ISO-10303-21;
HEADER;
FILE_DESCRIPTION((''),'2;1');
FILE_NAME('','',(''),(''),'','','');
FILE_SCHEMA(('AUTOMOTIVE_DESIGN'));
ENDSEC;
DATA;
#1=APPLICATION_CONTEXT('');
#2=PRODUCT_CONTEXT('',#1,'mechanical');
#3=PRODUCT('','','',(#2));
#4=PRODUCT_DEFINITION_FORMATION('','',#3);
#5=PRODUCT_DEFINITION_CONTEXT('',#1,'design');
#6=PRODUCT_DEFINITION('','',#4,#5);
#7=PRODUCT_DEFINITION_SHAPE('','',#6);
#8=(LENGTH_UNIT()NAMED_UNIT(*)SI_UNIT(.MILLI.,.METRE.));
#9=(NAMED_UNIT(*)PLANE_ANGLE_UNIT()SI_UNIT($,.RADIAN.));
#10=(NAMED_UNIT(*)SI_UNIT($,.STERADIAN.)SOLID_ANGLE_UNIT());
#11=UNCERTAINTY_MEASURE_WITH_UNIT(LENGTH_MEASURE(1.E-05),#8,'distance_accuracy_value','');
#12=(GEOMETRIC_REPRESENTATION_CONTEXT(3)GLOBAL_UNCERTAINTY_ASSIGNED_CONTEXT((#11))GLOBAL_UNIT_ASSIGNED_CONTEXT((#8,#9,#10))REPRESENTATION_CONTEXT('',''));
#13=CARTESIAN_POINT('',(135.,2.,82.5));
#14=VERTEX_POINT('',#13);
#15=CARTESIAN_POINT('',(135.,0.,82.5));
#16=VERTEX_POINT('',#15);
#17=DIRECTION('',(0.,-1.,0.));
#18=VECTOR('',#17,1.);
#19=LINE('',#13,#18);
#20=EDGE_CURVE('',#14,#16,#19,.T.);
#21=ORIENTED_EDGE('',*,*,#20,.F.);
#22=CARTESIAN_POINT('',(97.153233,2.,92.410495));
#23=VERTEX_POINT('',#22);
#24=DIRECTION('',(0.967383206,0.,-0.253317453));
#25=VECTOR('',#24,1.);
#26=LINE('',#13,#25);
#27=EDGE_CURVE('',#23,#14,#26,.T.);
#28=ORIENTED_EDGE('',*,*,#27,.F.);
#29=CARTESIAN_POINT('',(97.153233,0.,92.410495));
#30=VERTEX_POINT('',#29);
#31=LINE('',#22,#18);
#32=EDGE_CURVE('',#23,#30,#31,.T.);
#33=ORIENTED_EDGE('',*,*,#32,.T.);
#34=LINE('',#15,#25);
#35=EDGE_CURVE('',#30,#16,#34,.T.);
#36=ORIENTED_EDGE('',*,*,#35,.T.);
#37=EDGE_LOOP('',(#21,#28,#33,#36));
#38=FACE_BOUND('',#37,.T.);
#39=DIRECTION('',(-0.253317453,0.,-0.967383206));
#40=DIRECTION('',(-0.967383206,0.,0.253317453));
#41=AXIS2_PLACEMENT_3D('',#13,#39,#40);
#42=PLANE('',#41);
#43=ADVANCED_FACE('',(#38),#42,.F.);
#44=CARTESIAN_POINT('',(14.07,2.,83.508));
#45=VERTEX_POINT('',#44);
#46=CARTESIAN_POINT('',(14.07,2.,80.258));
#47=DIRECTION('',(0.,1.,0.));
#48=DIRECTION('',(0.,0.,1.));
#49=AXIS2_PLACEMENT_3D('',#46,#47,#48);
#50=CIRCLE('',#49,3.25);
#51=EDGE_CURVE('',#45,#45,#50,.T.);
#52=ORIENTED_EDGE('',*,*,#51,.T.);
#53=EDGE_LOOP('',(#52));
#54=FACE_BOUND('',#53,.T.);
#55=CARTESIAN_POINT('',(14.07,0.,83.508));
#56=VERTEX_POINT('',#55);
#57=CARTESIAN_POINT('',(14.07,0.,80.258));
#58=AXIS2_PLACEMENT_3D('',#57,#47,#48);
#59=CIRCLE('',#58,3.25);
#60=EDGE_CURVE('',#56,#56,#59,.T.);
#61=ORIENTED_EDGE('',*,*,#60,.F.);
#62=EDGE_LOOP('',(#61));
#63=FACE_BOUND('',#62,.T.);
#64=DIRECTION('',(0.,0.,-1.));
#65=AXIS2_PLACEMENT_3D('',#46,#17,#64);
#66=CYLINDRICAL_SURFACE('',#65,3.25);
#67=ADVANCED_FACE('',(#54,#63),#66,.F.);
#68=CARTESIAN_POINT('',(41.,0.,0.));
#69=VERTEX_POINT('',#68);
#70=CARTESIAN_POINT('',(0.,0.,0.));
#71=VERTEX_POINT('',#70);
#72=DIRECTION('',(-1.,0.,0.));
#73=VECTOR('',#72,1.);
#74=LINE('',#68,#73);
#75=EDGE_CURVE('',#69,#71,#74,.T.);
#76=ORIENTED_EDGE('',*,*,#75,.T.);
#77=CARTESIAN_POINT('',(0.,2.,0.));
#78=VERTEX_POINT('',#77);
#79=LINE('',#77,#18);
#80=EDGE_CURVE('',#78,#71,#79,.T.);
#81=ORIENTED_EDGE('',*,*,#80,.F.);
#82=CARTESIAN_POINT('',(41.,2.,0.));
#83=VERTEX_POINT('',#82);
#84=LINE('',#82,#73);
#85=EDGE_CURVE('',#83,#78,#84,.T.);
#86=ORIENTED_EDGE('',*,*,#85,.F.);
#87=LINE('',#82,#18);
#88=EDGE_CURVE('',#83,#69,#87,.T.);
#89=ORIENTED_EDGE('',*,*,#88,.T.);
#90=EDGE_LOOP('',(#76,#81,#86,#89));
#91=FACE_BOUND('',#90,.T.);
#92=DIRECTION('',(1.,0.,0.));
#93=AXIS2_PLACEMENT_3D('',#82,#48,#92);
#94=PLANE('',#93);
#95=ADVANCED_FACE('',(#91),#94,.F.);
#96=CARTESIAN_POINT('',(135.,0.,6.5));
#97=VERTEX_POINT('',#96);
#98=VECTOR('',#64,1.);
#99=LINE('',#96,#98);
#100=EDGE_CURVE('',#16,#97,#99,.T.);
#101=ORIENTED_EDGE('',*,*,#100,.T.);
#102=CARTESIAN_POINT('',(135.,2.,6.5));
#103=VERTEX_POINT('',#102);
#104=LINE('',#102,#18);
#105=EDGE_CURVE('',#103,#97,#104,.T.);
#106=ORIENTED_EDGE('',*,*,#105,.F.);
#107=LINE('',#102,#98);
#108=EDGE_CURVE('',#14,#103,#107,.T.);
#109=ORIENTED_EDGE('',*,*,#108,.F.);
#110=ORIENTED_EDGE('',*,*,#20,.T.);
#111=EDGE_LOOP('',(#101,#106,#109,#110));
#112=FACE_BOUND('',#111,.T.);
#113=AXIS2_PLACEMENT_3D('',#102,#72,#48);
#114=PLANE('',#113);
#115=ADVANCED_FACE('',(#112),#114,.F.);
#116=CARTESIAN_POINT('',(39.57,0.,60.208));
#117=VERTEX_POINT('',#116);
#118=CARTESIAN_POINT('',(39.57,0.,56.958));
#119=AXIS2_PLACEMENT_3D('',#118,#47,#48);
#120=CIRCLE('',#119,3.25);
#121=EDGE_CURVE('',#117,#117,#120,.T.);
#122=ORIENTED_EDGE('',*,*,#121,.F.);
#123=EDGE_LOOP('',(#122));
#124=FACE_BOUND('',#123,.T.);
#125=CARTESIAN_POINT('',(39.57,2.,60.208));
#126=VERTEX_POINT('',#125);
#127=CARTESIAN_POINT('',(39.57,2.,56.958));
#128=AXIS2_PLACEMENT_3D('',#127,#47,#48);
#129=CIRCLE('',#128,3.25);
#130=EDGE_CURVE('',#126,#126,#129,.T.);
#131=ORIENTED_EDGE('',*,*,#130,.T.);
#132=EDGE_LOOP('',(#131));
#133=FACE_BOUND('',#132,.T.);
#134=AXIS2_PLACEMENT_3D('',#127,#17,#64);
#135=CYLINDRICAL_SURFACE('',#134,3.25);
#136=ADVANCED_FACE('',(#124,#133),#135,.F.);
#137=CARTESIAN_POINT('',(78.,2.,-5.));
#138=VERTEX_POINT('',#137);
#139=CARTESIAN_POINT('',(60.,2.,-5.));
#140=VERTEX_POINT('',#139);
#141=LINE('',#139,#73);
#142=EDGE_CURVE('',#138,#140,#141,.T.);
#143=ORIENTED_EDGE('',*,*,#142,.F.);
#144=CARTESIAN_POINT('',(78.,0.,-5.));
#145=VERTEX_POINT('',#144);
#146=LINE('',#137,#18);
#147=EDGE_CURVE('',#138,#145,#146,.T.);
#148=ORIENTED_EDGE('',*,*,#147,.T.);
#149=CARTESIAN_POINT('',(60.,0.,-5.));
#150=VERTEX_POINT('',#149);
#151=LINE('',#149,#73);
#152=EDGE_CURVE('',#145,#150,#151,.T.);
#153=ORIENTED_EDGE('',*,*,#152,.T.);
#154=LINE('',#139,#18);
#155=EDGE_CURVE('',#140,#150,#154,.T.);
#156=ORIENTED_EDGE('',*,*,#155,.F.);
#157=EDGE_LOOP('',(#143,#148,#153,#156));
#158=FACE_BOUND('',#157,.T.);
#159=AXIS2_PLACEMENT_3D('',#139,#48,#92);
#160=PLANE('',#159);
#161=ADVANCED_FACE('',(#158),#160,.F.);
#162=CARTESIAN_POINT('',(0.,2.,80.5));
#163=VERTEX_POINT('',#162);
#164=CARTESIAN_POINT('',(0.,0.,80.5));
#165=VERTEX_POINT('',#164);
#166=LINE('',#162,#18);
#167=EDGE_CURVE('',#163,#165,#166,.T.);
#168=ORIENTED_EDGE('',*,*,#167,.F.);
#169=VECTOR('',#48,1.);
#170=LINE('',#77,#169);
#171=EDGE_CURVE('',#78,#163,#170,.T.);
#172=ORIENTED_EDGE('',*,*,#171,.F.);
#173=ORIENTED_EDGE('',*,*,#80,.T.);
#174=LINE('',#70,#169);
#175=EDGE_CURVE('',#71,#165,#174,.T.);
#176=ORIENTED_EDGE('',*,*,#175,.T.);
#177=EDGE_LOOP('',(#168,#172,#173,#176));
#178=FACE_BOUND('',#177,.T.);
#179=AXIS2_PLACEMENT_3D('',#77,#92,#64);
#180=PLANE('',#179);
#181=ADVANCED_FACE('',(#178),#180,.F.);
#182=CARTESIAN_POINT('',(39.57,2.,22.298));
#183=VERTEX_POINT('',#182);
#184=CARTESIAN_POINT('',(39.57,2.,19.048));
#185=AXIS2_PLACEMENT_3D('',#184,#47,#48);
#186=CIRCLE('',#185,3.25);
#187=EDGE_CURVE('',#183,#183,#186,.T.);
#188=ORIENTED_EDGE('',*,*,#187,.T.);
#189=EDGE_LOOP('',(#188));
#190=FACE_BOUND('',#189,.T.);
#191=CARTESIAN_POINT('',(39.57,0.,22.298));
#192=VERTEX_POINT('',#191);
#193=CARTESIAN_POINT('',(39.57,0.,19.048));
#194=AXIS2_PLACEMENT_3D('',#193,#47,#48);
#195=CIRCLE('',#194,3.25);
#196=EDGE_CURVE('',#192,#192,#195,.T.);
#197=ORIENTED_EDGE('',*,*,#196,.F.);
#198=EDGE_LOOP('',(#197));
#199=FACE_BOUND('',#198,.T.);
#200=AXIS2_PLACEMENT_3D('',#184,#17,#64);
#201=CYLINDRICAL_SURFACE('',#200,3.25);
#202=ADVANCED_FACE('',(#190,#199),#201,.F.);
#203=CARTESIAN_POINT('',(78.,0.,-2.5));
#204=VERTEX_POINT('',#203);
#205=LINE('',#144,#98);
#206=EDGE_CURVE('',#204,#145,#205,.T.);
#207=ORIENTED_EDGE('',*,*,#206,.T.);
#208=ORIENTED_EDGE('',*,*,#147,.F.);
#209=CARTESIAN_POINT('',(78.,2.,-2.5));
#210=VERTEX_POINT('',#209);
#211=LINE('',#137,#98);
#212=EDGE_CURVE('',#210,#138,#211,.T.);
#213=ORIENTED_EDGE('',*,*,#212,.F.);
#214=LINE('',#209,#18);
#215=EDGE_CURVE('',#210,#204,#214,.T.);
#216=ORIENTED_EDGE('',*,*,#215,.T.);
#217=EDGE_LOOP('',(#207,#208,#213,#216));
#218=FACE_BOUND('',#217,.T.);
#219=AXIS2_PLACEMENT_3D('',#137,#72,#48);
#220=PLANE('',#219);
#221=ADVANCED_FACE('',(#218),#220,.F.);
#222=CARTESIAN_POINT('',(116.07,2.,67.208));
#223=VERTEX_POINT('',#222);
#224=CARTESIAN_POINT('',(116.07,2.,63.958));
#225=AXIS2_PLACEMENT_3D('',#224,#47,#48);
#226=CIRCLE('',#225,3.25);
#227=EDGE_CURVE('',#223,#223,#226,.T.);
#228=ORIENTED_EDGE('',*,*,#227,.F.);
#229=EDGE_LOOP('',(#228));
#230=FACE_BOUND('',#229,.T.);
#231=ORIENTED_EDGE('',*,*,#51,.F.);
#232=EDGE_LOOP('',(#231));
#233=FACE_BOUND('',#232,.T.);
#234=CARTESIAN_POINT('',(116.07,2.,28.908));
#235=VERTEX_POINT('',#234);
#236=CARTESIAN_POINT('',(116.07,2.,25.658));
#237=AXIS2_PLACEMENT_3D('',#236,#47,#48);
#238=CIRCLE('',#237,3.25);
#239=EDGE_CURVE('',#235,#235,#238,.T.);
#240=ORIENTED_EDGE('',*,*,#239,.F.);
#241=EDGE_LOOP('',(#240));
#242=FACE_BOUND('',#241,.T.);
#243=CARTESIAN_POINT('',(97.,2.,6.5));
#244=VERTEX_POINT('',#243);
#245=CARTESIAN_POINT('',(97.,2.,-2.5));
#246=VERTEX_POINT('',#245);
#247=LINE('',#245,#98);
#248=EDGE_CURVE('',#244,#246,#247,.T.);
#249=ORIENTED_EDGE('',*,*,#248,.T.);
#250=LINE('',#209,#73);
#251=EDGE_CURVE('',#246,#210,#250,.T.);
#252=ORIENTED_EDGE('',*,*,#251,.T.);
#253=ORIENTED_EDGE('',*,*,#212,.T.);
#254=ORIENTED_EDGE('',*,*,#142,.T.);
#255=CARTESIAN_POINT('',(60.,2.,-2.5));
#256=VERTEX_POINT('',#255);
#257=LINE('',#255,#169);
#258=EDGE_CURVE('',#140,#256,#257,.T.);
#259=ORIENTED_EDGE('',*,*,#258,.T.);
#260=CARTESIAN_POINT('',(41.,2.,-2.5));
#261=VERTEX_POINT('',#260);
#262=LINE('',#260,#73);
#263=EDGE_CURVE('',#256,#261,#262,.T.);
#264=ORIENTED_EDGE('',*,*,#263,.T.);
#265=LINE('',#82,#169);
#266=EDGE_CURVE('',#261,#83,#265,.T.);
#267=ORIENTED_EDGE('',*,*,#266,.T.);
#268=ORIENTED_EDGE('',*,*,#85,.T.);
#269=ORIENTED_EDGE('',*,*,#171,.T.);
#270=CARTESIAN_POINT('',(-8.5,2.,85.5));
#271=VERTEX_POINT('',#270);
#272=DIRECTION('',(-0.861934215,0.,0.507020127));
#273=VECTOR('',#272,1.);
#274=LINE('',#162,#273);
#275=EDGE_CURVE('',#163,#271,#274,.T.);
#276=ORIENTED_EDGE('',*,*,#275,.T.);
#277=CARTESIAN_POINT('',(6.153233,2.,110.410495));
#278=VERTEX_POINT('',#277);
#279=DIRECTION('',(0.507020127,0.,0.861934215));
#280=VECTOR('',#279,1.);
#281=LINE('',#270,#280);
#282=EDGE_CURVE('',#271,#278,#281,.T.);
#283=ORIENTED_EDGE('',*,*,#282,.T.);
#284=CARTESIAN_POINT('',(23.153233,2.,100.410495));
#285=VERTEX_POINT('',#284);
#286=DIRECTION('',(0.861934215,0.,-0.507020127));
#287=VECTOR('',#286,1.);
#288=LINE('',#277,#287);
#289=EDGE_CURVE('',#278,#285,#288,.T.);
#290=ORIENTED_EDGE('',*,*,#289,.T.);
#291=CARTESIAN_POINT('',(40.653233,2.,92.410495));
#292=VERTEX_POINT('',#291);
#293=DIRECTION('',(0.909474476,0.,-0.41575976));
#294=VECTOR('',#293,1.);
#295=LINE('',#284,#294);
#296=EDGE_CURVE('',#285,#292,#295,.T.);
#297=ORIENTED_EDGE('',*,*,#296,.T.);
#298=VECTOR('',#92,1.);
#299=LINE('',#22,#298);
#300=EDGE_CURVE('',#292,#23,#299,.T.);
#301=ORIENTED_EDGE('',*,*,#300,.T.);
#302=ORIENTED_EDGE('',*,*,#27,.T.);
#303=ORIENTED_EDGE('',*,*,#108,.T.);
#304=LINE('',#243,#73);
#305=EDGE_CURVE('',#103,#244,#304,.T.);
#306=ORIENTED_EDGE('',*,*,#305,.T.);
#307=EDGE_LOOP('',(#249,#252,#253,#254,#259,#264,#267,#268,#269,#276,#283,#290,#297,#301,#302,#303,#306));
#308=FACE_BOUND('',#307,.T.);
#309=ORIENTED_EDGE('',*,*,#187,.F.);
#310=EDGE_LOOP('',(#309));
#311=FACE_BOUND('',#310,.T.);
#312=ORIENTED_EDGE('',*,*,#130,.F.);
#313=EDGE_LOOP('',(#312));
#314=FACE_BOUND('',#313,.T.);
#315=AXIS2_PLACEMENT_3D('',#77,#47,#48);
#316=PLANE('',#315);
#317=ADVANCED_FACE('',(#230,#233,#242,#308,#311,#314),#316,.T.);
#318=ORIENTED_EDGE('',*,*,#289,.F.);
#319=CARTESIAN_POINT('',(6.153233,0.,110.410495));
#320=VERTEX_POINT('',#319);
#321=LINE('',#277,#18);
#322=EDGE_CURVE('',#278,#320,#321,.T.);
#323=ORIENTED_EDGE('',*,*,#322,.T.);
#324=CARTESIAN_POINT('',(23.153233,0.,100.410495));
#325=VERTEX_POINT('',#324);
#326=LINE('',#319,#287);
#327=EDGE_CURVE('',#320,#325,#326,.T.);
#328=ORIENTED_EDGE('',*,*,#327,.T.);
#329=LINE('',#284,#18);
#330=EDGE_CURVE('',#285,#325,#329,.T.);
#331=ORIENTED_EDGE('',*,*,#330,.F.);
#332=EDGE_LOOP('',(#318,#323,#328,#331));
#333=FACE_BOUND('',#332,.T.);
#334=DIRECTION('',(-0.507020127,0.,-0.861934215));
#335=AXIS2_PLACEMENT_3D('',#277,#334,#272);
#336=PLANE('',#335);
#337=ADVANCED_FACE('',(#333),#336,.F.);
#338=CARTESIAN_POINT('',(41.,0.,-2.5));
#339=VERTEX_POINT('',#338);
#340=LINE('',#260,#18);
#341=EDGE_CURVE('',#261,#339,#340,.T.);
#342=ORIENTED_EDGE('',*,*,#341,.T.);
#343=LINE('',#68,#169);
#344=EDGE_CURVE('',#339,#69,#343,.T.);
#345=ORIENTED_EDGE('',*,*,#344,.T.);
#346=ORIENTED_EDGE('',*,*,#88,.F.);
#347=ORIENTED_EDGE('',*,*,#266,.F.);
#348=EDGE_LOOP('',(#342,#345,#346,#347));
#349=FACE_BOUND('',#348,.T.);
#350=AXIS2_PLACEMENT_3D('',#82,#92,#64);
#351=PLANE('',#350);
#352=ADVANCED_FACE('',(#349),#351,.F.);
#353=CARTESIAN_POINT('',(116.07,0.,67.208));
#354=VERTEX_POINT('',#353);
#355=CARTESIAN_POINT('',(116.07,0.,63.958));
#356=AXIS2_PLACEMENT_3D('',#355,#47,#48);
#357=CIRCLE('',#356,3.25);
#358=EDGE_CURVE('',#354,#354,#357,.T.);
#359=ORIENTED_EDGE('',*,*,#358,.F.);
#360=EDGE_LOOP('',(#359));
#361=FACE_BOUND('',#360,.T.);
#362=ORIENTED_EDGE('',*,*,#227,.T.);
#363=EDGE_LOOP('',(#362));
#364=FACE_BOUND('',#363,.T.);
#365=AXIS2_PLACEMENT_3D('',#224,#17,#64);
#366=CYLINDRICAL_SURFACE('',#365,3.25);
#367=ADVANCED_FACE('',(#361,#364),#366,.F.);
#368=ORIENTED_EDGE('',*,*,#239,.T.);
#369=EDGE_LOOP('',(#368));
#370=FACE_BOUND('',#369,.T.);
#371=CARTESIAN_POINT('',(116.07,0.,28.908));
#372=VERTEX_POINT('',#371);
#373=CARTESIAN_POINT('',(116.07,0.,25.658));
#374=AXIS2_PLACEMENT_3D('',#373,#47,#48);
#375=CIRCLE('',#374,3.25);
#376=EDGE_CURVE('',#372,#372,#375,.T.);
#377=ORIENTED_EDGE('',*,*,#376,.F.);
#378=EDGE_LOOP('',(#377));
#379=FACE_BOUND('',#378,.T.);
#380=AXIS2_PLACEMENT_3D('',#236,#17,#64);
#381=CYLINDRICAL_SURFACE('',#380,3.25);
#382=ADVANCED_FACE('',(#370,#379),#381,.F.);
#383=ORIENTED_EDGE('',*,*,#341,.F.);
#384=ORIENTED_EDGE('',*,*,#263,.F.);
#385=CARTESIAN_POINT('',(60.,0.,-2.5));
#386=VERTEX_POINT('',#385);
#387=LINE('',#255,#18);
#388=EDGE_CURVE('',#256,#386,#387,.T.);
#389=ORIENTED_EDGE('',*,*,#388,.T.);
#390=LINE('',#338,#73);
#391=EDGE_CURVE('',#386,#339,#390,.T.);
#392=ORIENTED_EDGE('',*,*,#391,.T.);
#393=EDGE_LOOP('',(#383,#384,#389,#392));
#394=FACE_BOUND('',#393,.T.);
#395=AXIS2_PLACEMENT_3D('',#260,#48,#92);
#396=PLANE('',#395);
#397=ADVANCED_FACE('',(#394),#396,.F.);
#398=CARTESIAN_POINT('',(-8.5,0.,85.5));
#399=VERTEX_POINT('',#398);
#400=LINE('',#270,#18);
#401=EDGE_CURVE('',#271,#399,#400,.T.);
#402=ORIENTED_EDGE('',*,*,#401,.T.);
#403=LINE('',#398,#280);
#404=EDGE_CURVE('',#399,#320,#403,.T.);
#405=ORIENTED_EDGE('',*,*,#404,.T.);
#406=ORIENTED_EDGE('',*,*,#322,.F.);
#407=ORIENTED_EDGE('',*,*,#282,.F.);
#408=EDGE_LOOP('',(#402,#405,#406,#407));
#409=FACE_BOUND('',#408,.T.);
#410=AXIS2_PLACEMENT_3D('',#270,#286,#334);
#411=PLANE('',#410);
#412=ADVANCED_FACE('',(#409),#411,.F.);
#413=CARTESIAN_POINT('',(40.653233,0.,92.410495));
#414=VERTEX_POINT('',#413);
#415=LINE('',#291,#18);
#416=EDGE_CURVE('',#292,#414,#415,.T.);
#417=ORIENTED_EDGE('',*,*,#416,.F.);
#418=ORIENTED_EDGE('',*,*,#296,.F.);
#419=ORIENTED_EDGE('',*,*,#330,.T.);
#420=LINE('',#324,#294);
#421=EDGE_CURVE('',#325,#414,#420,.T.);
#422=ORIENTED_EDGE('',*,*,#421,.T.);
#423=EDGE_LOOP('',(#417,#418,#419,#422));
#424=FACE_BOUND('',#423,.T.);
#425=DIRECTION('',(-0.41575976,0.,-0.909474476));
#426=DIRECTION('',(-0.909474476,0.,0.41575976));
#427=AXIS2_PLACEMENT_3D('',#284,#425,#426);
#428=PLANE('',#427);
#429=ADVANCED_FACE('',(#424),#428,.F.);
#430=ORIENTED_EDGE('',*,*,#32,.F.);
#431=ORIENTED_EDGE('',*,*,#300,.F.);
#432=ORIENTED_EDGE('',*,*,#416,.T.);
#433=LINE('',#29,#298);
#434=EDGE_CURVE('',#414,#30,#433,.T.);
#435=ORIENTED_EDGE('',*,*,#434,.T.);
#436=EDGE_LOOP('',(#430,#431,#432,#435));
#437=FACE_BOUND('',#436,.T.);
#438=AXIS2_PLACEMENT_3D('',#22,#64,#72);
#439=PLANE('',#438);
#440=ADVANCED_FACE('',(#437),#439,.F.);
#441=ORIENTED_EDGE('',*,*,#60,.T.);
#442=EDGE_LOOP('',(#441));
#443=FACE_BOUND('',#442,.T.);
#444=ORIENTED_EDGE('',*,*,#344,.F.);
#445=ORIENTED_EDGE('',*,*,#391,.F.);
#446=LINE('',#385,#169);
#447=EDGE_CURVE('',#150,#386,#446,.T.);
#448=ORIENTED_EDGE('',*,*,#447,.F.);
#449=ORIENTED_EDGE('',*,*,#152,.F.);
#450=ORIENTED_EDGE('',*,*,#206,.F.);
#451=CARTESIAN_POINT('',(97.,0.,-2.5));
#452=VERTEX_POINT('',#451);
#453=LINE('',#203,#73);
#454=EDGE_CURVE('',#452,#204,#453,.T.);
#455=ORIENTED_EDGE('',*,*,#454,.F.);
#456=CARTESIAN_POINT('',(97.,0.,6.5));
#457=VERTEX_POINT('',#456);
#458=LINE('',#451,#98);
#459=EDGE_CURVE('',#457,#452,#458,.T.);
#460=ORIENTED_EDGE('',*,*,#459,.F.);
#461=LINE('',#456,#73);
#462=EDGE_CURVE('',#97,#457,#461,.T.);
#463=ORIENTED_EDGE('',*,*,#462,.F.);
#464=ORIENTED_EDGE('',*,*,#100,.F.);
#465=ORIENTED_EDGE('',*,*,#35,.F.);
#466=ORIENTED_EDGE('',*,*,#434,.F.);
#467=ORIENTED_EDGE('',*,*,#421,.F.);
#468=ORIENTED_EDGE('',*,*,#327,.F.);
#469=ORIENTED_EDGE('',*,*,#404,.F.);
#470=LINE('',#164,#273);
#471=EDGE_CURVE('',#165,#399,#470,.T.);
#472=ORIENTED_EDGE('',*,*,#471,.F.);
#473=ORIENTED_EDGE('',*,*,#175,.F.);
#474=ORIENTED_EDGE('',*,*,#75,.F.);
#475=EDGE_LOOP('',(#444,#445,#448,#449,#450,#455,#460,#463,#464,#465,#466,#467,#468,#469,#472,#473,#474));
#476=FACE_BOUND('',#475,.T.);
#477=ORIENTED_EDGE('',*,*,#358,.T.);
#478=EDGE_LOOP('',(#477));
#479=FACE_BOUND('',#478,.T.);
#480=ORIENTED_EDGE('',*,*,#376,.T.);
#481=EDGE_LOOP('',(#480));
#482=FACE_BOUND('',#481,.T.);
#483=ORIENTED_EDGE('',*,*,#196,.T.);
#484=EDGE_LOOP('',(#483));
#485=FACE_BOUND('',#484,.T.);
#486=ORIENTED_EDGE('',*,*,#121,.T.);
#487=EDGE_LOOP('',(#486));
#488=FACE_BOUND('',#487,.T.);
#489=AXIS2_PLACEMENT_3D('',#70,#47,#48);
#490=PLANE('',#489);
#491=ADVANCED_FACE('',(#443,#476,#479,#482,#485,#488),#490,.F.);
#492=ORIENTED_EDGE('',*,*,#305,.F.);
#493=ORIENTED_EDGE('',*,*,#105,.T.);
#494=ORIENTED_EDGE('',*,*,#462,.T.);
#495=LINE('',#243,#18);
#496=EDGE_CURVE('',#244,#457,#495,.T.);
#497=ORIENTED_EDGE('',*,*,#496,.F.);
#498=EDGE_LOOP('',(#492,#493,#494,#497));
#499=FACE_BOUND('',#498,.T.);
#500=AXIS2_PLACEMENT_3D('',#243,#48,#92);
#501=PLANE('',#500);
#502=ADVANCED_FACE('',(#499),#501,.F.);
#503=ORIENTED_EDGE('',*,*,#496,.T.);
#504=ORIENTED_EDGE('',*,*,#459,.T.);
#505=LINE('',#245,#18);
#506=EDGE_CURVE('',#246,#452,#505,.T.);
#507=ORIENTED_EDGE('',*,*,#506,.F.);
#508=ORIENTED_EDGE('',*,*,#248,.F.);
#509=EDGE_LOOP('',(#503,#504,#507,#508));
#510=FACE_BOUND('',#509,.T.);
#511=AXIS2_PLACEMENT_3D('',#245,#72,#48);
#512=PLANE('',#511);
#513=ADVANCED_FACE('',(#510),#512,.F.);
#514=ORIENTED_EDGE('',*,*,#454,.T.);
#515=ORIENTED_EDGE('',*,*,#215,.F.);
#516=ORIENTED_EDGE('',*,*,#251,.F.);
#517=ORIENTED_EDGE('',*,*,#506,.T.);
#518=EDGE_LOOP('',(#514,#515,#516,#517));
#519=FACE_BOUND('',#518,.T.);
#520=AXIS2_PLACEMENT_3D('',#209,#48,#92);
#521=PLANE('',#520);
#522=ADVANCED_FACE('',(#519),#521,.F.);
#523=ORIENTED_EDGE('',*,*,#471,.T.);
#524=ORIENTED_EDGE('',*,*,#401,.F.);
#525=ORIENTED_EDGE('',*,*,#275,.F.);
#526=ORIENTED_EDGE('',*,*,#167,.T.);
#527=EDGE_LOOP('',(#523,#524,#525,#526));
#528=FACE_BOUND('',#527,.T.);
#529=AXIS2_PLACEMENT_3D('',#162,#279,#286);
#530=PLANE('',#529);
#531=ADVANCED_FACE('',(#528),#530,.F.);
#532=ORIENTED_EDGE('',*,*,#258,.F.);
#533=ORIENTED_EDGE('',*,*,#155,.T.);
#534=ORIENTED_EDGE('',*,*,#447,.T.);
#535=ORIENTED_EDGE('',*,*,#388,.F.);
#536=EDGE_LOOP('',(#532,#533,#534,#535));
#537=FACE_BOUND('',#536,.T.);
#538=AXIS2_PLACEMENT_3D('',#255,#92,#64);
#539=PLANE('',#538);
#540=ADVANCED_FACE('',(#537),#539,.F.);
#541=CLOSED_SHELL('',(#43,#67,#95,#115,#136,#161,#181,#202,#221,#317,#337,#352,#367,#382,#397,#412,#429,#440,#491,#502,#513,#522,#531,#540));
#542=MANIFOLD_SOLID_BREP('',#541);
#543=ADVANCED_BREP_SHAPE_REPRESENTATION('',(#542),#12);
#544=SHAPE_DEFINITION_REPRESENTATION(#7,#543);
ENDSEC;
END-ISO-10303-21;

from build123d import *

# Parameters (mm, degrees)
SKETCH_1_R      = 3.25
EXTRUDE_1_DEPTH = 2


with BuildPart() as part:
    # Эскиз1 → Бобышка-Вытянуть1 (new body)
    with BuildSketch(Plane(origin=(0, 0, 0), x_dir=(1, 0, 0), z_dir=(0, 1, 0))):
        Polygon((0, 0), (0, -80.5), (-8.5, -85.5), (6.153232532, -110.410495305), (23.153232532, -100.410495305), (40.653232532, -92.410495305), (97.153232532, -92.410495305), (135, -82.5), (135, -6.5), (97, -6.5), (97, 2.5), (78, 2.5), (78, 5), (60, 5), (60, 2.5), (41, 2.5), (41, 0), align=None)
        with Locations((14.07, -80.258)):
            Circle(SKETCH_1_R, mode=Mode.SUBTRACT)
        with Locations((39.57, -56.958)):
            Circle(SKETCH_1_R, mode=Mode.SUBTRACT)
        with Locations((116.07, -63.958)):
            Circle(SKETCH_1_R, mode=Mode.SUBTRACT)
        with Locations((116.07, -25.658)):
            Circle(SKETCH_1_R, mode=Mode.SUBTRACT)
        with Locations((39.57, -19.048)):
            Circle(SKETCH_1_R, mode=Mode.SUBTRACT)
    extrude(amount=EXTRUDE_1_DEPTH)


solid = part.part
